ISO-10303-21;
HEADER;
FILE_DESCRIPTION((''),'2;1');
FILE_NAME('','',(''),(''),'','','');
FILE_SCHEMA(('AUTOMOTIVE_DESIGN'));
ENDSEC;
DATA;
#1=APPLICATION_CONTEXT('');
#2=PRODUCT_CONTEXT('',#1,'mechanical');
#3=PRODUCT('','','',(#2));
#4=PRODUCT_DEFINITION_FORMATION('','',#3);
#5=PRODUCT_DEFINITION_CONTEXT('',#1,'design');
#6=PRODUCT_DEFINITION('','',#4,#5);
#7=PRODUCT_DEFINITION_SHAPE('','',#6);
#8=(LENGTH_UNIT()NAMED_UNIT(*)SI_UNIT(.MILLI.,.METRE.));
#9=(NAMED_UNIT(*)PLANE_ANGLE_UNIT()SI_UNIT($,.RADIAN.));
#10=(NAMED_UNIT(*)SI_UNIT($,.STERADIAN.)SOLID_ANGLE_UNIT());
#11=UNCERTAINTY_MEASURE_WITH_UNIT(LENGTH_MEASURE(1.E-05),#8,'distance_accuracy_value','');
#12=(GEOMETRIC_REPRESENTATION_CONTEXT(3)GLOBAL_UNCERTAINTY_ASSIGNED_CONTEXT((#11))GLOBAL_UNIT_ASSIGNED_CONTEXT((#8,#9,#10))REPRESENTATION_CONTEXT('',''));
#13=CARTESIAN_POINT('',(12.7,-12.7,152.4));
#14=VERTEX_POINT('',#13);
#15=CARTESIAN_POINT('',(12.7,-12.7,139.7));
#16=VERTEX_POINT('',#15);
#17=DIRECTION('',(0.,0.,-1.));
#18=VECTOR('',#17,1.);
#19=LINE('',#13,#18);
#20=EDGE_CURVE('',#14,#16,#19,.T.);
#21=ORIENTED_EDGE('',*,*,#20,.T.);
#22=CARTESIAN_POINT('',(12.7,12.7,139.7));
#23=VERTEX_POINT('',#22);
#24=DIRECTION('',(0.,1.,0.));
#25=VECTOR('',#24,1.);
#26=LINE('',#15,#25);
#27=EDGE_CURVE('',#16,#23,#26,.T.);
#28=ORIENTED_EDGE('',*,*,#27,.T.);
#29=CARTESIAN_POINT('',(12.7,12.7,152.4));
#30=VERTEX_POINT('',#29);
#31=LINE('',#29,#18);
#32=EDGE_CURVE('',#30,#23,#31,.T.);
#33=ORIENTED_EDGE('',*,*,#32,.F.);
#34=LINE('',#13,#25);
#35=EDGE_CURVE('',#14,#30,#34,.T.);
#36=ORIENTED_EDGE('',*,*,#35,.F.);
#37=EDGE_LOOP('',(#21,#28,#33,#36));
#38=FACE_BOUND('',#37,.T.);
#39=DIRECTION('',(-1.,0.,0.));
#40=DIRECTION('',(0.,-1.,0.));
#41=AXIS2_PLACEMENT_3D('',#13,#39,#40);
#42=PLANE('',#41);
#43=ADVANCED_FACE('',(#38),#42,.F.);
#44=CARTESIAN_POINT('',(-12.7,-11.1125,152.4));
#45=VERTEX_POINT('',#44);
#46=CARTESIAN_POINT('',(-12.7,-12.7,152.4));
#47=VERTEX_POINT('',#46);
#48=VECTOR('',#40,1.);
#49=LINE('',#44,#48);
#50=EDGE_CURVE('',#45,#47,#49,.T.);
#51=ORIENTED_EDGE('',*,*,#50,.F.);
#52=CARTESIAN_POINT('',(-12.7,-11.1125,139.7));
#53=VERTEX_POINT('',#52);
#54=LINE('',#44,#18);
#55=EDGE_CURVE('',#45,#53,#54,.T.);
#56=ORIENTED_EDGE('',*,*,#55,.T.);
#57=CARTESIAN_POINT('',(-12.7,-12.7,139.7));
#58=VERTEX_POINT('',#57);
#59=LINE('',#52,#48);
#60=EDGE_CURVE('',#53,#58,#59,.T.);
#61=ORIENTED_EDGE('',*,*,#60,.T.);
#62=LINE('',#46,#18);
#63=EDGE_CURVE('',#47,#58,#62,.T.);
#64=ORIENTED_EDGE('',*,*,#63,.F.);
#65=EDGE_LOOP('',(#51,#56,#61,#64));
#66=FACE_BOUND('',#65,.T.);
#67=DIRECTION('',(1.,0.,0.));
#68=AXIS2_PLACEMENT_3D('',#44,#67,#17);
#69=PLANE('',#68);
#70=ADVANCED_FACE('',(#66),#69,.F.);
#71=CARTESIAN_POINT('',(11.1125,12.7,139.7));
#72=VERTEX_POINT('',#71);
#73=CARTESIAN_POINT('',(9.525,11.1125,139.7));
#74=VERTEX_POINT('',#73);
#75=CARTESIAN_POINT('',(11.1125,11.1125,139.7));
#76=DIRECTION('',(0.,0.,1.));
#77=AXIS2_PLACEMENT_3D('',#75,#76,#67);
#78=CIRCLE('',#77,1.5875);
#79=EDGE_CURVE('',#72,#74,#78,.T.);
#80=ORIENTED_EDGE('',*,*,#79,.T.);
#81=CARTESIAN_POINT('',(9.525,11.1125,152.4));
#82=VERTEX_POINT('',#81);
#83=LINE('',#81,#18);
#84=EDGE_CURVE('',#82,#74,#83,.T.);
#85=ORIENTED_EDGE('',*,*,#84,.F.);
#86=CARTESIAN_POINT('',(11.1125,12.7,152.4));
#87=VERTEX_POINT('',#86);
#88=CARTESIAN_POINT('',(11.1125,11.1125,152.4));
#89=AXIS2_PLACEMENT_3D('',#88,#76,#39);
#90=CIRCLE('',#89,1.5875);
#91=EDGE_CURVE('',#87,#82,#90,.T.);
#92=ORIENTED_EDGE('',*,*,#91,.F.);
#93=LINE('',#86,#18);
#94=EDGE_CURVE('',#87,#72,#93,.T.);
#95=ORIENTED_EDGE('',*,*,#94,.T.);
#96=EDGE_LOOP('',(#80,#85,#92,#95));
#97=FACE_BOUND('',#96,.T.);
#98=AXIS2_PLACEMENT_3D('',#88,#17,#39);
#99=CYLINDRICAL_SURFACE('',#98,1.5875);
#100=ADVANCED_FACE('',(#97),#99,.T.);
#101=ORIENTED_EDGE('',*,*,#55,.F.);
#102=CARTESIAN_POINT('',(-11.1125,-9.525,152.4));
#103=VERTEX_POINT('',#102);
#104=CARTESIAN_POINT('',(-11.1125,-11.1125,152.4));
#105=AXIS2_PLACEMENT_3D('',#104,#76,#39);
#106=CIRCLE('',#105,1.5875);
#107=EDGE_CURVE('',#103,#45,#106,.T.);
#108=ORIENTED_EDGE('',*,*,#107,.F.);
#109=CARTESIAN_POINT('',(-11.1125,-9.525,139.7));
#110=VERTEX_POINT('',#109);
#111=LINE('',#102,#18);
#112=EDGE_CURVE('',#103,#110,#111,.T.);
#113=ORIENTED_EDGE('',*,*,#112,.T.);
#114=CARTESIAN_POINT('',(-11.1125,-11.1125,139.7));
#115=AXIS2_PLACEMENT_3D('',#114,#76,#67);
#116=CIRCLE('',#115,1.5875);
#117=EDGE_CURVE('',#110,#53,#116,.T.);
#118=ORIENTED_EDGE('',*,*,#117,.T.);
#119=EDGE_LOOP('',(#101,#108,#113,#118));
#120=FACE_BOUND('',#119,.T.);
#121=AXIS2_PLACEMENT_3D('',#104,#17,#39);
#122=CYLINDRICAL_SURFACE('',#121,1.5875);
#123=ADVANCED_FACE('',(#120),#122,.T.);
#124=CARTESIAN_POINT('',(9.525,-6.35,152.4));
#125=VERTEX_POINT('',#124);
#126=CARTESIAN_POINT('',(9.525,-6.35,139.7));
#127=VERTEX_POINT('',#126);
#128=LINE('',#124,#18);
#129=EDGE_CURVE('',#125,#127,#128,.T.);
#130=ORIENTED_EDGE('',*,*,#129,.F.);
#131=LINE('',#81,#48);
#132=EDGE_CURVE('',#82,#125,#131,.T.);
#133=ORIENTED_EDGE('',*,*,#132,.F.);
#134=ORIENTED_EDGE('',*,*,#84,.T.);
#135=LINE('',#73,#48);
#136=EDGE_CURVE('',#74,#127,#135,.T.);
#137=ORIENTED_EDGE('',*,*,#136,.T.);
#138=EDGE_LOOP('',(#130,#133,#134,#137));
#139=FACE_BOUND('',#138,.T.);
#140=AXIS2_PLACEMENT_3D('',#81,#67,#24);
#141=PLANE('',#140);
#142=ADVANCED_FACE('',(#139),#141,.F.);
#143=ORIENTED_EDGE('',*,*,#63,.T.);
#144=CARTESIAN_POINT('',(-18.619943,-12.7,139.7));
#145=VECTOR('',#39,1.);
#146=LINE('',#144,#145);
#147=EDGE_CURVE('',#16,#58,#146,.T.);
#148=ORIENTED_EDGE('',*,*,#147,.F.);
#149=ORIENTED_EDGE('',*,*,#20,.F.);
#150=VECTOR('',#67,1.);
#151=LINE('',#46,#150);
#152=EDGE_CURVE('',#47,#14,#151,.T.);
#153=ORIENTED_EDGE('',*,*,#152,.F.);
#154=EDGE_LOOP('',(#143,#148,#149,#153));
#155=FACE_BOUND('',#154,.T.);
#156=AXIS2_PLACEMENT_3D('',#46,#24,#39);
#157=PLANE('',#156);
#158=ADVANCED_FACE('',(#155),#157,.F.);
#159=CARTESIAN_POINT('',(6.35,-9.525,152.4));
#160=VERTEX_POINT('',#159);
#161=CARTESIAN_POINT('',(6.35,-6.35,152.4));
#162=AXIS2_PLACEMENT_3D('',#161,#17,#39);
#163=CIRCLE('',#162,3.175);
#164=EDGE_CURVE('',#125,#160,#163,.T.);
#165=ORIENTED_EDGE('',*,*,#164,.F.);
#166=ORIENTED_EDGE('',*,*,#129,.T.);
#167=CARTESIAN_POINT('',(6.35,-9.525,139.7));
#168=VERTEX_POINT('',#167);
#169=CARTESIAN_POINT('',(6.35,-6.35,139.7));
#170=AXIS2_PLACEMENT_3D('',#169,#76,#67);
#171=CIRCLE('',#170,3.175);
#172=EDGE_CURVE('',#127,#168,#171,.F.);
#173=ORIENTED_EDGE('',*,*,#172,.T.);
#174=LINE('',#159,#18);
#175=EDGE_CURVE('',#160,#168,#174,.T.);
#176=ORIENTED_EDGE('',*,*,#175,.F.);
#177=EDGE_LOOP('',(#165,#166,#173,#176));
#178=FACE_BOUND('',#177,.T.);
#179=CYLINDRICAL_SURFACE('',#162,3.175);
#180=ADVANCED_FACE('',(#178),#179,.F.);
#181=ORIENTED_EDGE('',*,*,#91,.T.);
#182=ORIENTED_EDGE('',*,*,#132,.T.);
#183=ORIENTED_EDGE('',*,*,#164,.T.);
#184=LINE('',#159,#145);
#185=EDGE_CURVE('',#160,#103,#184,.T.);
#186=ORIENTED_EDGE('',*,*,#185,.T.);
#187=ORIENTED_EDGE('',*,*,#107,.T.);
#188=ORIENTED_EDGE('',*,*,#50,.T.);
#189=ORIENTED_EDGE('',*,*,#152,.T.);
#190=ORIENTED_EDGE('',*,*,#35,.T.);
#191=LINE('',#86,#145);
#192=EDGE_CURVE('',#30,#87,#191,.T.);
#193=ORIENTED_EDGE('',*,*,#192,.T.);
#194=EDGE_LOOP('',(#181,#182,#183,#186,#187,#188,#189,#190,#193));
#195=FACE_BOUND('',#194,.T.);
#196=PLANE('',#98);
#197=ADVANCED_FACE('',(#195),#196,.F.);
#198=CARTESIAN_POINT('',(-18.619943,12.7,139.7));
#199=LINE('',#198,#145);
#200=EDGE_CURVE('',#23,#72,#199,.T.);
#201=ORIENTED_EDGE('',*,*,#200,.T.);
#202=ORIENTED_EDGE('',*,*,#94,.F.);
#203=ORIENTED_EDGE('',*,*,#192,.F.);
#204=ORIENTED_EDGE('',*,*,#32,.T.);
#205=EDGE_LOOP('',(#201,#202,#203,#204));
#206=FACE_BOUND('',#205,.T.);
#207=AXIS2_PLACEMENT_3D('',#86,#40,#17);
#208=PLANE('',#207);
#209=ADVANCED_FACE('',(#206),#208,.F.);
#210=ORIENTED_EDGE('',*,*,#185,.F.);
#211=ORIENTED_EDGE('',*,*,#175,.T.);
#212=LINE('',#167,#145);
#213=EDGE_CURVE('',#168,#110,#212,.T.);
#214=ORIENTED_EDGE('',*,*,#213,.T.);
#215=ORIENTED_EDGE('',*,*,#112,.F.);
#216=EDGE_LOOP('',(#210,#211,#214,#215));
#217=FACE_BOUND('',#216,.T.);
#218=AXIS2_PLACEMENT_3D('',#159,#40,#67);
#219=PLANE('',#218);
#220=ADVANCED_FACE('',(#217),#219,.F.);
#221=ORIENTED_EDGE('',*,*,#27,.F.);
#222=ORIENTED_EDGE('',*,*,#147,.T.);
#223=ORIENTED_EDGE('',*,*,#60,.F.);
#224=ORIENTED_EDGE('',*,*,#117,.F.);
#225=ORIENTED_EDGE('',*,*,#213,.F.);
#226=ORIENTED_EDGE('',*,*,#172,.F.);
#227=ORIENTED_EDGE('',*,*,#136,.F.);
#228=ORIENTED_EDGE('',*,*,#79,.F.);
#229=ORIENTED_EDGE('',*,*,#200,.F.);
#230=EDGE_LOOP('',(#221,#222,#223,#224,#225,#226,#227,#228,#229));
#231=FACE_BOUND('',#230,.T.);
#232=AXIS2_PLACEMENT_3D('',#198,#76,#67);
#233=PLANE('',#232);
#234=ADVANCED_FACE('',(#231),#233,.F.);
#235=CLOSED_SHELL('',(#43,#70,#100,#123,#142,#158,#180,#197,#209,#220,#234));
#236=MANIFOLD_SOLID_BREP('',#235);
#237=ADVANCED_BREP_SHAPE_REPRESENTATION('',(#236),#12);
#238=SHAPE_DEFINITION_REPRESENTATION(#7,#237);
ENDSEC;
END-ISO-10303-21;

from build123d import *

# Parameters (mm, degrees)
BOSS_EXTRUDE1_DEPTH = 152.4
SKETCH3_W           = 36.131988192
SKETCH3_H           = 294.530449207
CUT_EXTRUDE1_DEPTH  = 156.02325632


with BuildPart() as part:
    # Sketch2 → Boss-Extrude1 (new, symmetric)
    with BuildSketch(Plane.XY):
        with BuildLine():
            Line((-12.7, -12.7), (12.7, -12.7))
            Line((12.7, -12.7), (12.7, 12.7))
            Line((12.7, 12.7), (11.1125, 12.7))
            ThreePointArc((11.1125, 12.7), (9.989967985, 12.235032015), (9.525, 11.1125))
            Line((9.525, 11.1125), (9.525, -6.35))
            ThreePointArc((9.525, -6.35), (8.59506403, -8.59506403), (6.35, -9.525))
            Line((6.35, -9.525), (-11.1125, -9.525))
            ThreePointArc((-11.1125, -9.525), (-12.235032015, -9.989967985), (-12.7, -11.1125))
            Line((-12.7, -11.1125), (-12.7, -12.7))
        make_face()
    extrude(amount=BOSS_EXTRUDE1_DEPTH, both=True)

    # Sketch3 → Cut-Extrude1 (cut, through all)
    with BuildSketch(Plane.XZ.offset(12.7)):
        with Locations((-0.553949025, -7.565224603)):
            Rectangle(SKETCH3_W, SKETCH3_H)
    extrude(amount=-CUT_EXTRUDE1_DEPTH, mode=Mode.SUBTRACT)


solid = part.part
